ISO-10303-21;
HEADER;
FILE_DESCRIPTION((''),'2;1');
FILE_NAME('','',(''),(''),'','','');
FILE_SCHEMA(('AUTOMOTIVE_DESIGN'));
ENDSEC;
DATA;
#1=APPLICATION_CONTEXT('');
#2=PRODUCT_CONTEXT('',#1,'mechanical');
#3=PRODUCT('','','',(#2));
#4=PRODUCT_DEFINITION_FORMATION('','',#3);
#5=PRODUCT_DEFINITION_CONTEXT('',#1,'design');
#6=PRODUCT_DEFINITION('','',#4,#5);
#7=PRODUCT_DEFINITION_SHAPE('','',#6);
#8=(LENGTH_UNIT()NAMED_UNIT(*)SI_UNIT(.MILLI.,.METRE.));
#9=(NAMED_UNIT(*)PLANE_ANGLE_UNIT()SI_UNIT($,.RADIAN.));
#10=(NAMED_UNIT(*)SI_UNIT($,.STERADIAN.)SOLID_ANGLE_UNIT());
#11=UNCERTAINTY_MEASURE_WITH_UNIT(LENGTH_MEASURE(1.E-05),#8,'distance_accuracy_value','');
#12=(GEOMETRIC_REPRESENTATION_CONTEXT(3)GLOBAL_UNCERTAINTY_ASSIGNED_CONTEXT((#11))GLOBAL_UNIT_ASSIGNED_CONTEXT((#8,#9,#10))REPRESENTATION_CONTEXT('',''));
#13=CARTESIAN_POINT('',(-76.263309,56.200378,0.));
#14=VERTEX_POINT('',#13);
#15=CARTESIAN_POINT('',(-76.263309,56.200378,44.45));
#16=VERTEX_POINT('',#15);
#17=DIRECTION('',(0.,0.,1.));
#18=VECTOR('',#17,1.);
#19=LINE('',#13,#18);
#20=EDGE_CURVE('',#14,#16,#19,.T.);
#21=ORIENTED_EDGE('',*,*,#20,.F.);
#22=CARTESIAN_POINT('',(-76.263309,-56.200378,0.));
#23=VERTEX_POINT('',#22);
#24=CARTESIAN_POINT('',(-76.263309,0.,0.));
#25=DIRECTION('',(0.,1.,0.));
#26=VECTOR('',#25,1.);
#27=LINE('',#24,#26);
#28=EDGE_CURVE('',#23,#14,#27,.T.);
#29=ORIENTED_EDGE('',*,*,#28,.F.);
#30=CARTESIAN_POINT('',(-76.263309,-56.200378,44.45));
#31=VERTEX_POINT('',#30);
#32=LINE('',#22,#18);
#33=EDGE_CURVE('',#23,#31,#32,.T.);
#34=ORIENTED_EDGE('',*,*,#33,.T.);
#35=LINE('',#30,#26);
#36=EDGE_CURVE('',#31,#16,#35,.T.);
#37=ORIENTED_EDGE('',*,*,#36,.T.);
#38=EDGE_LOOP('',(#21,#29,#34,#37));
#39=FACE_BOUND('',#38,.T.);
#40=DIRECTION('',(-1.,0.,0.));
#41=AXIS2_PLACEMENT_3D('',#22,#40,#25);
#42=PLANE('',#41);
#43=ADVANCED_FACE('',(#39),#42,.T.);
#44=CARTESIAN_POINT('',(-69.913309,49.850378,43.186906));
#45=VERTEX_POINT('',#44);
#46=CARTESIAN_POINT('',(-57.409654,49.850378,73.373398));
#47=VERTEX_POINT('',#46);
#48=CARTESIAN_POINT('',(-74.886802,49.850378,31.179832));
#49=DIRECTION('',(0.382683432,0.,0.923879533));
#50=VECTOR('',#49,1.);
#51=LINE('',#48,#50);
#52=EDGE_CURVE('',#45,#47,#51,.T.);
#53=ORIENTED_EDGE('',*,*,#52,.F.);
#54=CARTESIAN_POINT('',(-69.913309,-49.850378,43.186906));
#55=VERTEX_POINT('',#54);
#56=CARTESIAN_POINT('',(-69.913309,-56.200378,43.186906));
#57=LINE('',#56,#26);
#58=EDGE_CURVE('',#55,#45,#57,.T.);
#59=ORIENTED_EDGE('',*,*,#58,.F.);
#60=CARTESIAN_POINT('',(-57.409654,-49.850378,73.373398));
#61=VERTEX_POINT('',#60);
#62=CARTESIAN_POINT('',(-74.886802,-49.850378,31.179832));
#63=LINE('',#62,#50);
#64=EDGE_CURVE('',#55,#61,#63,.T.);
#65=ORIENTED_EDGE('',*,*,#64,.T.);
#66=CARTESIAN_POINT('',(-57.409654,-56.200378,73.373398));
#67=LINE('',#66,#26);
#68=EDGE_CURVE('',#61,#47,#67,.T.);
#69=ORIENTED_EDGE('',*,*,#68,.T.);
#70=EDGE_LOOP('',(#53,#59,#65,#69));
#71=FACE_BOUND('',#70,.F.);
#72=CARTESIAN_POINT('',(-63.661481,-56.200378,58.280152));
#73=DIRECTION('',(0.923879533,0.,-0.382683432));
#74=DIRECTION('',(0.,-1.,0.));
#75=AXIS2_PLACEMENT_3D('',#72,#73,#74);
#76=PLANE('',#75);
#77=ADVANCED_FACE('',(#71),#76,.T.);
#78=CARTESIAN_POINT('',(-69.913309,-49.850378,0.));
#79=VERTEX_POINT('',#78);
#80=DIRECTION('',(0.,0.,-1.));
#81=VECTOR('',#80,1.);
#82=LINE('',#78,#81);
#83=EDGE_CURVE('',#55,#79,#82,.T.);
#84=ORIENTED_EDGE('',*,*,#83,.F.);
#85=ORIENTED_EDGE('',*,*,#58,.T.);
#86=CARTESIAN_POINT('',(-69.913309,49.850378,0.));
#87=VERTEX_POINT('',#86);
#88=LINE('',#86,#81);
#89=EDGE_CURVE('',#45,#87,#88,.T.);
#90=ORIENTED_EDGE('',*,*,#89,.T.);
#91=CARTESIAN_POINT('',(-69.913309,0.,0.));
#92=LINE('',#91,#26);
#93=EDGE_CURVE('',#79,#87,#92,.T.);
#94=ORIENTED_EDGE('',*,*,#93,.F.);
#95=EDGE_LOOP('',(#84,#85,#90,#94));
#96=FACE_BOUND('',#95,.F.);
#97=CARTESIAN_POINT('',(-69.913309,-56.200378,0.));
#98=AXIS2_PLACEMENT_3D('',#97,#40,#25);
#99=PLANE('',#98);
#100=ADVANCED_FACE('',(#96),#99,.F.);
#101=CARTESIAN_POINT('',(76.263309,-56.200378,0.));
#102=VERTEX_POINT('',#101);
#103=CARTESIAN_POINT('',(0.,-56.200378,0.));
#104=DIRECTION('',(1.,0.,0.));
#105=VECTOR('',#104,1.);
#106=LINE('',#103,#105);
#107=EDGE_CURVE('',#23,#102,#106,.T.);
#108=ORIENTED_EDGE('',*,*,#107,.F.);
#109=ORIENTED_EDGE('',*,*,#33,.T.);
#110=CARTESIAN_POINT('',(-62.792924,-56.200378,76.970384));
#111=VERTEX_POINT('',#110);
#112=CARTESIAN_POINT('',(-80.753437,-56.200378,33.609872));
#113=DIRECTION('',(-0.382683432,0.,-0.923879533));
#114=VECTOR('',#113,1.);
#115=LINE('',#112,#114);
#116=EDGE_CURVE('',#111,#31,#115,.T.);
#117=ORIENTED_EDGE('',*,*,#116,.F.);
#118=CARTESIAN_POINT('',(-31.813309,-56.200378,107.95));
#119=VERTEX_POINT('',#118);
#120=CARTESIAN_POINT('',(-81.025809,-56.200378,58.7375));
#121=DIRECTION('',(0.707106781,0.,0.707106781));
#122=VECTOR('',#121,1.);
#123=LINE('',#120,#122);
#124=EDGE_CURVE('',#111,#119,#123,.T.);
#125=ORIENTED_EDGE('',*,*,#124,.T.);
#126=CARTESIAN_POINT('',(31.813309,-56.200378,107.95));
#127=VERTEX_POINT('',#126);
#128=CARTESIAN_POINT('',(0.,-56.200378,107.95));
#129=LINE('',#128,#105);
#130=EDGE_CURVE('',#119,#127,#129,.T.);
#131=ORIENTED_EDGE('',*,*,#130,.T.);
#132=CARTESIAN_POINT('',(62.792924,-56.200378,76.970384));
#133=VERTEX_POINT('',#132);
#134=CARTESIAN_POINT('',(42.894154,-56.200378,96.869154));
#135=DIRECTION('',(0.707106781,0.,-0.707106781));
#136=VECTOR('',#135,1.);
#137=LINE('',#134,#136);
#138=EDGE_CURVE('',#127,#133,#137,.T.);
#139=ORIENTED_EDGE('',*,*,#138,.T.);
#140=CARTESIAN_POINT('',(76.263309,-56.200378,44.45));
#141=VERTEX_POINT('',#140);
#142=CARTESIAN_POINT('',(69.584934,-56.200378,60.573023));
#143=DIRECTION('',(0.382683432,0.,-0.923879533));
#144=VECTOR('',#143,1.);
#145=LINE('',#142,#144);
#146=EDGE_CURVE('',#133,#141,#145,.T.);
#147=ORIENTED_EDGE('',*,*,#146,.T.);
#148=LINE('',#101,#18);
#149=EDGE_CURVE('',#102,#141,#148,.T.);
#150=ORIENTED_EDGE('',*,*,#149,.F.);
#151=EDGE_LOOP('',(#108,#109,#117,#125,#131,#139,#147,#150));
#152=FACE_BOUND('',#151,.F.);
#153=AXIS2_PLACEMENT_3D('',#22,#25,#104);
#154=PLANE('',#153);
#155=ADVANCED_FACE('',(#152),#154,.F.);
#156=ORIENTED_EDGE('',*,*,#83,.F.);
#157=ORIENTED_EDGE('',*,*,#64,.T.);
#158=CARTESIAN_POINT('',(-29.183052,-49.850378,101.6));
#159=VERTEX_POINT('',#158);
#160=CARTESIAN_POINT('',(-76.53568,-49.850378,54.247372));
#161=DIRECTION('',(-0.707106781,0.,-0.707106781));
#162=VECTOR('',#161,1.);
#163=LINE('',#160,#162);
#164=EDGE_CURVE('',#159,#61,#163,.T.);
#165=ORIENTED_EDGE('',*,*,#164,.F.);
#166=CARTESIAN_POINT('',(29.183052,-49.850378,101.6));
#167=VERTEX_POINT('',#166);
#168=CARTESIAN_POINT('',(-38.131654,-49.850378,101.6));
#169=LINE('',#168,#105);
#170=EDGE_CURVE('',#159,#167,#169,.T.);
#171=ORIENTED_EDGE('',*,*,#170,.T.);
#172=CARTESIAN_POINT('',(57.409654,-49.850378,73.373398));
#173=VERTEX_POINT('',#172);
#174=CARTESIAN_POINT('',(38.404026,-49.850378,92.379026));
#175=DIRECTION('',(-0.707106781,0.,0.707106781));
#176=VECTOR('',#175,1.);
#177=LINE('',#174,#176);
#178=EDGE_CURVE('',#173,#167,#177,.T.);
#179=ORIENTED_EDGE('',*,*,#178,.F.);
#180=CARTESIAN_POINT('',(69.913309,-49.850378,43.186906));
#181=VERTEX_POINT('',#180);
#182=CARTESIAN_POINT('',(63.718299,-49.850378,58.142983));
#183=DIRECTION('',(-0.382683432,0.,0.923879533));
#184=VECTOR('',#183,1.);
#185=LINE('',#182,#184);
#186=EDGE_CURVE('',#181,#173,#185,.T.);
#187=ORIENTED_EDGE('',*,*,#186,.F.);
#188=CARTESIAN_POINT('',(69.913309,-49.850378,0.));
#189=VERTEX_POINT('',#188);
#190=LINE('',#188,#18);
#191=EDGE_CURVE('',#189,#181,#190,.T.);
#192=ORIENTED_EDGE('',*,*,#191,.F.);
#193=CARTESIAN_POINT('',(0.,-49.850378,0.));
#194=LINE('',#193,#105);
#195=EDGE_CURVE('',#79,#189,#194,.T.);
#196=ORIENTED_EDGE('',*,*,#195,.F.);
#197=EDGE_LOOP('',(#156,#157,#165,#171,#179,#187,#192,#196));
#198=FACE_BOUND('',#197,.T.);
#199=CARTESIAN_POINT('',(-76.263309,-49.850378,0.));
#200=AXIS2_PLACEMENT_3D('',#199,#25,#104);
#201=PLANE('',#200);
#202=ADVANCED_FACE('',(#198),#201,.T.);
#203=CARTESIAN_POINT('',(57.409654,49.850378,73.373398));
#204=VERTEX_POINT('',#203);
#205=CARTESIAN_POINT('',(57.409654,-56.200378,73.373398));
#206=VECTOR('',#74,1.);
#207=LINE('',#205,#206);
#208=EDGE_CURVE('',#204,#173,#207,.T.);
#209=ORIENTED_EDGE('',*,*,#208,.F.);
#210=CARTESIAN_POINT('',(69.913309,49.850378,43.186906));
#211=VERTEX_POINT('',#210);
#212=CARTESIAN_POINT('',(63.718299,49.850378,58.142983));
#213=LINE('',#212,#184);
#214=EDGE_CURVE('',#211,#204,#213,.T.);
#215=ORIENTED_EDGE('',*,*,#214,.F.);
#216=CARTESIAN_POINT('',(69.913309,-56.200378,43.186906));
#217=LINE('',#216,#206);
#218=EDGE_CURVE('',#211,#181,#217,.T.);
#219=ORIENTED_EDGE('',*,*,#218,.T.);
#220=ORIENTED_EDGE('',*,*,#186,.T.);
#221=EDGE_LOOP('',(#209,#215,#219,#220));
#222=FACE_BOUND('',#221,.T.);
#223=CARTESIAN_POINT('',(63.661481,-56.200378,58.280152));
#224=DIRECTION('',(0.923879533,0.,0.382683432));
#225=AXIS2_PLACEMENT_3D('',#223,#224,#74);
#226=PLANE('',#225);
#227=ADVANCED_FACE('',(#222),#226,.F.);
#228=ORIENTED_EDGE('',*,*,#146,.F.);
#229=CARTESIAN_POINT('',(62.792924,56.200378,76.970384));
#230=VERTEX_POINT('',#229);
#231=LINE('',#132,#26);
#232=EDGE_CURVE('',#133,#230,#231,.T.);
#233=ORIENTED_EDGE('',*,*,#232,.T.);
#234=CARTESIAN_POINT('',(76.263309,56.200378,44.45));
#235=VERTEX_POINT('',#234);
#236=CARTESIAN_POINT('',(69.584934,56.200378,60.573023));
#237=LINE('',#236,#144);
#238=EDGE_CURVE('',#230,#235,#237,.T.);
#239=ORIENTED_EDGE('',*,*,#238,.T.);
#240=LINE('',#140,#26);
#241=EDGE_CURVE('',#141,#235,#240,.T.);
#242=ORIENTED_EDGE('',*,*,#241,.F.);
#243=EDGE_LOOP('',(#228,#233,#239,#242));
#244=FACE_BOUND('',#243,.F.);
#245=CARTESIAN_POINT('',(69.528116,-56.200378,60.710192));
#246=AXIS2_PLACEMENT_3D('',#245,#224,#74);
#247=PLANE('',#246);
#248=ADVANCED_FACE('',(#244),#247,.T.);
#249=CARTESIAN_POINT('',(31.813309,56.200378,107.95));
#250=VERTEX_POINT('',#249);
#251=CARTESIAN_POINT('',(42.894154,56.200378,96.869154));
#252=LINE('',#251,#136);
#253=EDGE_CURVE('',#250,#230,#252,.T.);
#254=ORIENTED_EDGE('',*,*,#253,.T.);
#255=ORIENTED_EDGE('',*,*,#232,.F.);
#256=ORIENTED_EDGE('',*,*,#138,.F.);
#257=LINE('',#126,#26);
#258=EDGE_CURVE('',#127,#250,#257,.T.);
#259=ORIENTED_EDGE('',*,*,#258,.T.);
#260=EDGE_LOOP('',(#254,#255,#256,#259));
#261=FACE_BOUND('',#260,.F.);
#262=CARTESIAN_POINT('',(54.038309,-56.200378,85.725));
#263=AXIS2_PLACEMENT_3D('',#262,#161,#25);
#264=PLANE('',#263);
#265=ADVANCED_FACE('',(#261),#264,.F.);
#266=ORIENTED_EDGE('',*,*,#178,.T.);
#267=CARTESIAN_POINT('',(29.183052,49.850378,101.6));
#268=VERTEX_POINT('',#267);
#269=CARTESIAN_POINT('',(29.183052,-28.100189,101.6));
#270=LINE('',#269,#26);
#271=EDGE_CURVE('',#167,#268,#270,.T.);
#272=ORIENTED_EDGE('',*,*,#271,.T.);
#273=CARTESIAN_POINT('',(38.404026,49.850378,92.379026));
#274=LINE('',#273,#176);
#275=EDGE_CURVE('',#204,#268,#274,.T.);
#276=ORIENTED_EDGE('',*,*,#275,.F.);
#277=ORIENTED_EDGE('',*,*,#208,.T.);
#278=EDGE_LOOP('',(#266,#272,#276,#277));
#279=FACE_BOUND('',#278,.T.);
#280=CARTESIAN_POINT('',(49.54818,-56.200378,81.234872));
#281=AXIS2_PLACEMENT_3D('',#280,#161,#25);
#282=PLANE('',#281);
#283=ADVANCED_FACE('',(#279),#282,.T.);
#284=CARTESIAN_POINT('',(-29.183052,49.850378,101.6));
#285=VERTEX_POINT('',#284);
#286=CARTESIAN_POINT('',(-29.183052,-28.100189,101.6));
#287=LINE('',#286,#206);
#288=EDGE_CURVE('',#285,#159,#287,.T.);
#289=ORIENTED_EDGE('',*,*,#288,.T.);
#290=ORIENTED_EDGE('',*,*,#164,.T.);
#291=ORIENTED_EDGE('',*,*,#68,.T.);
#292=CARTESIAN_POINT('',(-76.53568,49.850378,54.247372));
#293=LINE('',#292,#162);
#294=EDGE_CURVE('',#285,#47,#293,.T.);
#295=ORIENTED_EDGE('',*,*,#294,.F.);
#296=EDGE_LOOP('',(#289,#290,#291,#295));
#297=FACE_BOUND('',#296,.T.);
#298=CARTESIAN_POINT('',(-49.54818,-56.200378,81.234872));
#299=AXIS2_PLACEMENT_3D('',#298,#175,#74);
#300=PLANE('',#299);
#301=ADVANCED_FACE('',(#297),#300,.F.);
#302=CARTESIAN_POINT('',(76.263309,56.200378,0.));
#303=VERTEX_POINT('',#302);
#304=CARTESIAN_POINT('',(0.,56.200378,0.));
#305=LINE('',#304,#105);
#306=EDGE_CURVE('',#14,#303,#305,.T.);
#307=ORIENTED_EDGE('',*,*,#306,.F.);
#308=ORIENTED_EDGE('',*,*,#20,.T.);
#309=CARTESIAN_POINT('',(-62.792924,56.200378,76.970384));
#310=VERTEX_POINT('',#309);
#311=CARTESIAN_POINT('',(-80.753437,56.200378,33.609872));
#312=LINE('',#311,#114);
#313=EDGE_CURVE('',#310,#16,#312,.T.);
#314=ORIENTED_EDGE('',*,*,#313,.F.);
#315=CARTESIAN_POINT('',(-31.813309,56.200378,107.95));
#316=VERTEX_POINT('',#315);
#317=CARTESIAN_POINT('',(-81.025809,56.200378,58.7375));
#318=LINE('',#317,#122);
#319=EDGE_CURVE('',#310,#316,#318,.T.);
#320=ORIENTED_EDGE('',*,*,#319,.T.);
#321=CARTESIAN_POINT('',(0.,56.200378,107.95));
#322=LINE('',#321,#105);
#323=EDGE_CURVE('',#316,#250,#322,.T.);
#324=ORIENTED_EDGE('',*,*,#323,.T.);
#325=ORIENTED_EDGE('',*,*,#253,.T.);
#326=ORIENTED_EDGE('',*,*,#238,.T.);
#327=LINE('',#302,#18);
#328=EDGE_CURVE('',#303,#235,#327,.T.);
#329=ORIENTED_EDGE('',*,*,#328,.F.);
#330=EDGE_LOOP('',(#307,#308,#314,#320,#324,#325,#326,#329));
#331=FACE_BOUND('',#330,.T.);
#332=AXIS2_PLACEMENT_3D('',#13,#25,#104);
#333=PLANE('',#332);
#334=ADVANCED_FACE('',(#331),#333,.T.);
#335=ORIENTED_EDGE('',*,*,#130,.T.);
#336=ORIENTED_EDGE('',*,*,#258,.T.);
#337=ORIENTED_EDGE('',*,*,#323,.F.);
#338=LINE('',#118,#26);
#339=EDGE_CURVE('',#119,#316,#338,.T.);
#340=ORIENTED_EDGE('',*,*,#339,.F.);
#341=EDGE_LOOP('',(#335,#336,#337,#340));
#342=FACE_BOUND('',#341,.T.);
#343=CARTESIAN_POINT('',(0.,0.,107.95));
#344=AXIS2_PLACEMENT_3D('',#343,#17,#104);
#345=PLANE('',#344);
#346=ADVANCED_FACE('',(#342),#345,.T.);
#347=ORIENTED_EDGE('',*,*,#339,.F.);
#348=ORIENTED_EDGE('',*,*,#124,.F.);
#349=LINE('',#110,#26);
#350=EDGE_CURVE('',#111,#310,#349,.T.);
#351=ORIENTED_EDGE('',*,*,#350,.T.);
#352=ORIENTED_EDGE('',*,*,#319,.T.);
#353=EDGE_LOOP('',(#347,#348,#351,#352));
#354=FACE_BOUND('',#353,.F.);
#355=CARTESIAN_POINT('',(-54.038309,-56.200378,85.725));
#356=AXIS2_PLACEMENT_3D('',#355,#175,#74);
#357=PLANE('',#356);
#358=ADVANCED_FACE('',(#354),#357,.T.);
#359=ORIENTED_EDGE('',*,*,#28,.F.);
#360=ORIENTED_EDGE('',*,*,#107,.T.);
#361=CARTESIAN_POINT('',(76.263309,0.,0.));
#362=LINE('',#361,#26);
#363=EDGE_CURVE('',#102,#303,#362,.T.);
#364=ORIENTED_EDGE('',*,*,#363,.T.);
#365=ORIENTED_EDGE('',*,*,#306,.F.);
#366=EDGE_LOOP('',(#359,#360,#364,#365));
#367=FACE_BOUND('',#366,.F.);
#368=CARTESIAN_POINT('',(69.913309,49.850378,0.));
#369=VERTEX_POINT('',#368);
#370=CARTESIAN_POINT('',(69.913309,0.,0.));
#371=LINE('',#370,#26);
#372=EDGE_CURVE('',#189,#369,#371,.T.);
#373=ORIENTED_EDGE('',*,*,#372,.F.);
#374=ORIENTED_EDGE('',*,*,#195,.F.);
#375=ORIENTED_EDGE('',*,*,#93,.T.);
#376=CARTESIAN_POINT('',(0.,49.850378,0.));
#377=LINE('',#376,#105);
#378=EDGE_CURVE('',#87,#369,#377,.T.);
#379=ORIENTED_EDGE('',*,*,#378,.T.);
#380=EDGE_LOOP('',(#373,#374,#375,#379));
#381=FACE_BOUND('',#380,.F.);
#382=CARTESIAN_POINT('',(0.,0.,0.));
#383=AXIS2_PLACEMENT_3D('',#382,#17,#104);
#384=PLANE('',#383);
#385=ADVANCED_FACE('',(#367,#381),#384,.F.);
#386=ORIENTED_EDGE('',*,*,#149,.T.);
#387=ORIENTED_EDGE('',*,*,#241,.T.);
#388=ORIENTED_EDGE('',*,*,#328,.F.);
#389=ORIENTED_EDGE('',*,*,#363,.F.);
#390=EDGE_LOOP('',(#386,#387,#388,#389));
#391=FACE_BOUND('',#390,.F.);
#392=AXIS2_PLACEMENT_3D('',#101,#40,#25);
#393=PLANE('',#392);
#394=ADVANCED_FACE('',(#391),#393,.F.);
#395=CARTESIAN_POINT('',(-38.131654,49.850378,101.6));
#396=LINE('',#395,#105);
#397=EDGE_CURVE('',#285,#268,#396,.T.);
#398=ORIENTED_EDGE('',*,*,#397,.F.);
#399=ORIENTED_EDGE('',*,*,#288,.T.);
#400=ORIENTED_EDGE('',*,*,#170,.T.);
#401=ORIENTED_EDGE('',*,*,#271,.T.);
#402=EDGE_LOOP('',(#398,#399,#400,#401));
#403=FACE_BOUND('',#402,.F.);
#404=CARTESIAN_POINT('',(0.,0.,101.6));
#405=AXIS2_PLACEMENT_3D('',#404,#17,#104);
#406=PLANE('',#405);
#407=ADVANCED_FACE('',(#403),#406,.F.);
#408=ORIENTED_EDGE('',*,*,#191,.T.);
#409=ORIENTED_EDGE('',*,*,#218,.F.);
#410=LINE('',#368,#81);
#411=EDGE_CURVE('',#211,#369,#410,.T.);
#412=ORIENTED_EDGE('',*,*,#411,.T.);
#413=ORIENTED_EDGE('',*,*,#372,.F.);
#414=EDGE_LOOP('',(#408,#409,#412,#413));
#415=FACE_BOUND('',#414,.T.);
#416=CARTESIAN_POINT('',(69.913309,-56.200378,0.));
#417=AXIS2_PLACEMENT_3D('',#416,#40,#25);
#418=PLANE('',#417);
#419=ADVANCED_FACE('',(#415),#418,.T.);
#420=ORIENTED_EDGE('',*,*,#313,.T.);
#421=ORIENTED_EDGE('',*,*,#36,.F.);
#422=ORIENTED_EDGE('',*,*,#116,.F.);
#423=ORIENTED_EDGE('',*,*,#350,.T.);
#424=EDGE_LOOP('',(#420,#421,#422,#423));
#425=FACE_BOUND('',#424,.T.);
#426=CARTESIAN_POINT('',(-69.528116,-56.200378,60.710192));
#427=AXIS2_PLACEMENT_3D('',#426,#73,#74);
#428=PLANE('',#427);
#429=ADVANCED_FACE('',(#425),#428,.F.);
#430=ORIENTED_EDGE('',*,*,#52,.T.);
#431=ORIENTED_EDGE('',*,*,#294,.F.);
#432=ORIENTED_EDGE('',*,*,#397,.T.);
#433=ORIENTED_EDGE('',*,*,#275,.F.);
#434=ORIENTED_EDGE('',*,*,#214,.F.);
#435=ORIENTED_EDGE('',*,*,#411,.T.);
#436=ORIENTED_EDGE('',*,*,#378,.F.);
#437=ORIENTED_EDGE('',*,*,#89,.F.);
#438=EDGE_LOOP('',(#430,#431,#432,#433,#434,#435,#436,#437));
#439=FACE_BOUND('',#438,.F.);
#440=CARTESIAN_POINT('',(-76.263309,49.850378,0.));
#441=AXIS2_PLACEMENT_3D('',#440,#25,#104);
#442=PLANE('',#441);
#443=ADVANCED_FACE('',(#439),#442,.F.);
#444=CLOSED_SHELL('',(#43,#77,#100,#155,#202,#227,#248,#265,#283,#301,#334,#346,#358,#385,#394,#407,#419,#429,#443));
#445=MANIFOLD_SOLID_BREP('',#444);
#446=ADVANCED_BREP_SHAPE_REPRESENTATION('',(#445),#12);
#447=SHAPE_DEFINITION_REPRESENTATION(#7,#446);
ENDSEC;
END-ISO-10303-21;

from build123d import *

# Parameters (mm, degrees)
F0_W     = 152.5266170502
F0_H     = 112.4007552862
F1_DEPTH = 107.95
F2_SIZE  = 44.45
F3_SIZE  = 44.45
F4_SIZE  = 19.05
F5_SIZE  = 19.05
F6_T     = -6.35


with BuildPart() as f1:
    # F0 (on Top) → F1 (new body)
    with BuildSketch(Plane.XY):
        Rectangle(F0_W, F0_H)
    extrude(amount=F1_DEPTH)

    # F2
    f2_edges = [f1.edges().sort_by_distance(p)[0] for p in [
        (-76.263309, 0, 107.95),
    ]]
    chamfer(f2_edges, length=F2_SIZE)

    # F3
    f3_edges = [f1.edges().sort_by_distance(p)[0] for p in [
        (76.263309, 0, 107.95),
    ]]
    chamfer(f3_edges, length=F3_SIZE)

    # F4
    f4_edges = [f1.edges().sort_by_distance(p)[0] for p in [
        (-76.263309, 0, 63.5),
    ]]
    chamfer(f4_edges, length=F4_SIZE)

    # F5
    f5_edges = [f1.edges().sort_by_distance(p)[0] for p in [
        (76.263309, 0, 63.5),
    ]]
    chamfer(f5_edges, length=F5_SIZE)

    # F6
    f6_openings = [f1.faces().sort_by_distance(p)[0] for p in [
        (0, 0, 0),
    ]]
    offset(amount=F6_T, openings=f6_openings)


solid = f1.part
